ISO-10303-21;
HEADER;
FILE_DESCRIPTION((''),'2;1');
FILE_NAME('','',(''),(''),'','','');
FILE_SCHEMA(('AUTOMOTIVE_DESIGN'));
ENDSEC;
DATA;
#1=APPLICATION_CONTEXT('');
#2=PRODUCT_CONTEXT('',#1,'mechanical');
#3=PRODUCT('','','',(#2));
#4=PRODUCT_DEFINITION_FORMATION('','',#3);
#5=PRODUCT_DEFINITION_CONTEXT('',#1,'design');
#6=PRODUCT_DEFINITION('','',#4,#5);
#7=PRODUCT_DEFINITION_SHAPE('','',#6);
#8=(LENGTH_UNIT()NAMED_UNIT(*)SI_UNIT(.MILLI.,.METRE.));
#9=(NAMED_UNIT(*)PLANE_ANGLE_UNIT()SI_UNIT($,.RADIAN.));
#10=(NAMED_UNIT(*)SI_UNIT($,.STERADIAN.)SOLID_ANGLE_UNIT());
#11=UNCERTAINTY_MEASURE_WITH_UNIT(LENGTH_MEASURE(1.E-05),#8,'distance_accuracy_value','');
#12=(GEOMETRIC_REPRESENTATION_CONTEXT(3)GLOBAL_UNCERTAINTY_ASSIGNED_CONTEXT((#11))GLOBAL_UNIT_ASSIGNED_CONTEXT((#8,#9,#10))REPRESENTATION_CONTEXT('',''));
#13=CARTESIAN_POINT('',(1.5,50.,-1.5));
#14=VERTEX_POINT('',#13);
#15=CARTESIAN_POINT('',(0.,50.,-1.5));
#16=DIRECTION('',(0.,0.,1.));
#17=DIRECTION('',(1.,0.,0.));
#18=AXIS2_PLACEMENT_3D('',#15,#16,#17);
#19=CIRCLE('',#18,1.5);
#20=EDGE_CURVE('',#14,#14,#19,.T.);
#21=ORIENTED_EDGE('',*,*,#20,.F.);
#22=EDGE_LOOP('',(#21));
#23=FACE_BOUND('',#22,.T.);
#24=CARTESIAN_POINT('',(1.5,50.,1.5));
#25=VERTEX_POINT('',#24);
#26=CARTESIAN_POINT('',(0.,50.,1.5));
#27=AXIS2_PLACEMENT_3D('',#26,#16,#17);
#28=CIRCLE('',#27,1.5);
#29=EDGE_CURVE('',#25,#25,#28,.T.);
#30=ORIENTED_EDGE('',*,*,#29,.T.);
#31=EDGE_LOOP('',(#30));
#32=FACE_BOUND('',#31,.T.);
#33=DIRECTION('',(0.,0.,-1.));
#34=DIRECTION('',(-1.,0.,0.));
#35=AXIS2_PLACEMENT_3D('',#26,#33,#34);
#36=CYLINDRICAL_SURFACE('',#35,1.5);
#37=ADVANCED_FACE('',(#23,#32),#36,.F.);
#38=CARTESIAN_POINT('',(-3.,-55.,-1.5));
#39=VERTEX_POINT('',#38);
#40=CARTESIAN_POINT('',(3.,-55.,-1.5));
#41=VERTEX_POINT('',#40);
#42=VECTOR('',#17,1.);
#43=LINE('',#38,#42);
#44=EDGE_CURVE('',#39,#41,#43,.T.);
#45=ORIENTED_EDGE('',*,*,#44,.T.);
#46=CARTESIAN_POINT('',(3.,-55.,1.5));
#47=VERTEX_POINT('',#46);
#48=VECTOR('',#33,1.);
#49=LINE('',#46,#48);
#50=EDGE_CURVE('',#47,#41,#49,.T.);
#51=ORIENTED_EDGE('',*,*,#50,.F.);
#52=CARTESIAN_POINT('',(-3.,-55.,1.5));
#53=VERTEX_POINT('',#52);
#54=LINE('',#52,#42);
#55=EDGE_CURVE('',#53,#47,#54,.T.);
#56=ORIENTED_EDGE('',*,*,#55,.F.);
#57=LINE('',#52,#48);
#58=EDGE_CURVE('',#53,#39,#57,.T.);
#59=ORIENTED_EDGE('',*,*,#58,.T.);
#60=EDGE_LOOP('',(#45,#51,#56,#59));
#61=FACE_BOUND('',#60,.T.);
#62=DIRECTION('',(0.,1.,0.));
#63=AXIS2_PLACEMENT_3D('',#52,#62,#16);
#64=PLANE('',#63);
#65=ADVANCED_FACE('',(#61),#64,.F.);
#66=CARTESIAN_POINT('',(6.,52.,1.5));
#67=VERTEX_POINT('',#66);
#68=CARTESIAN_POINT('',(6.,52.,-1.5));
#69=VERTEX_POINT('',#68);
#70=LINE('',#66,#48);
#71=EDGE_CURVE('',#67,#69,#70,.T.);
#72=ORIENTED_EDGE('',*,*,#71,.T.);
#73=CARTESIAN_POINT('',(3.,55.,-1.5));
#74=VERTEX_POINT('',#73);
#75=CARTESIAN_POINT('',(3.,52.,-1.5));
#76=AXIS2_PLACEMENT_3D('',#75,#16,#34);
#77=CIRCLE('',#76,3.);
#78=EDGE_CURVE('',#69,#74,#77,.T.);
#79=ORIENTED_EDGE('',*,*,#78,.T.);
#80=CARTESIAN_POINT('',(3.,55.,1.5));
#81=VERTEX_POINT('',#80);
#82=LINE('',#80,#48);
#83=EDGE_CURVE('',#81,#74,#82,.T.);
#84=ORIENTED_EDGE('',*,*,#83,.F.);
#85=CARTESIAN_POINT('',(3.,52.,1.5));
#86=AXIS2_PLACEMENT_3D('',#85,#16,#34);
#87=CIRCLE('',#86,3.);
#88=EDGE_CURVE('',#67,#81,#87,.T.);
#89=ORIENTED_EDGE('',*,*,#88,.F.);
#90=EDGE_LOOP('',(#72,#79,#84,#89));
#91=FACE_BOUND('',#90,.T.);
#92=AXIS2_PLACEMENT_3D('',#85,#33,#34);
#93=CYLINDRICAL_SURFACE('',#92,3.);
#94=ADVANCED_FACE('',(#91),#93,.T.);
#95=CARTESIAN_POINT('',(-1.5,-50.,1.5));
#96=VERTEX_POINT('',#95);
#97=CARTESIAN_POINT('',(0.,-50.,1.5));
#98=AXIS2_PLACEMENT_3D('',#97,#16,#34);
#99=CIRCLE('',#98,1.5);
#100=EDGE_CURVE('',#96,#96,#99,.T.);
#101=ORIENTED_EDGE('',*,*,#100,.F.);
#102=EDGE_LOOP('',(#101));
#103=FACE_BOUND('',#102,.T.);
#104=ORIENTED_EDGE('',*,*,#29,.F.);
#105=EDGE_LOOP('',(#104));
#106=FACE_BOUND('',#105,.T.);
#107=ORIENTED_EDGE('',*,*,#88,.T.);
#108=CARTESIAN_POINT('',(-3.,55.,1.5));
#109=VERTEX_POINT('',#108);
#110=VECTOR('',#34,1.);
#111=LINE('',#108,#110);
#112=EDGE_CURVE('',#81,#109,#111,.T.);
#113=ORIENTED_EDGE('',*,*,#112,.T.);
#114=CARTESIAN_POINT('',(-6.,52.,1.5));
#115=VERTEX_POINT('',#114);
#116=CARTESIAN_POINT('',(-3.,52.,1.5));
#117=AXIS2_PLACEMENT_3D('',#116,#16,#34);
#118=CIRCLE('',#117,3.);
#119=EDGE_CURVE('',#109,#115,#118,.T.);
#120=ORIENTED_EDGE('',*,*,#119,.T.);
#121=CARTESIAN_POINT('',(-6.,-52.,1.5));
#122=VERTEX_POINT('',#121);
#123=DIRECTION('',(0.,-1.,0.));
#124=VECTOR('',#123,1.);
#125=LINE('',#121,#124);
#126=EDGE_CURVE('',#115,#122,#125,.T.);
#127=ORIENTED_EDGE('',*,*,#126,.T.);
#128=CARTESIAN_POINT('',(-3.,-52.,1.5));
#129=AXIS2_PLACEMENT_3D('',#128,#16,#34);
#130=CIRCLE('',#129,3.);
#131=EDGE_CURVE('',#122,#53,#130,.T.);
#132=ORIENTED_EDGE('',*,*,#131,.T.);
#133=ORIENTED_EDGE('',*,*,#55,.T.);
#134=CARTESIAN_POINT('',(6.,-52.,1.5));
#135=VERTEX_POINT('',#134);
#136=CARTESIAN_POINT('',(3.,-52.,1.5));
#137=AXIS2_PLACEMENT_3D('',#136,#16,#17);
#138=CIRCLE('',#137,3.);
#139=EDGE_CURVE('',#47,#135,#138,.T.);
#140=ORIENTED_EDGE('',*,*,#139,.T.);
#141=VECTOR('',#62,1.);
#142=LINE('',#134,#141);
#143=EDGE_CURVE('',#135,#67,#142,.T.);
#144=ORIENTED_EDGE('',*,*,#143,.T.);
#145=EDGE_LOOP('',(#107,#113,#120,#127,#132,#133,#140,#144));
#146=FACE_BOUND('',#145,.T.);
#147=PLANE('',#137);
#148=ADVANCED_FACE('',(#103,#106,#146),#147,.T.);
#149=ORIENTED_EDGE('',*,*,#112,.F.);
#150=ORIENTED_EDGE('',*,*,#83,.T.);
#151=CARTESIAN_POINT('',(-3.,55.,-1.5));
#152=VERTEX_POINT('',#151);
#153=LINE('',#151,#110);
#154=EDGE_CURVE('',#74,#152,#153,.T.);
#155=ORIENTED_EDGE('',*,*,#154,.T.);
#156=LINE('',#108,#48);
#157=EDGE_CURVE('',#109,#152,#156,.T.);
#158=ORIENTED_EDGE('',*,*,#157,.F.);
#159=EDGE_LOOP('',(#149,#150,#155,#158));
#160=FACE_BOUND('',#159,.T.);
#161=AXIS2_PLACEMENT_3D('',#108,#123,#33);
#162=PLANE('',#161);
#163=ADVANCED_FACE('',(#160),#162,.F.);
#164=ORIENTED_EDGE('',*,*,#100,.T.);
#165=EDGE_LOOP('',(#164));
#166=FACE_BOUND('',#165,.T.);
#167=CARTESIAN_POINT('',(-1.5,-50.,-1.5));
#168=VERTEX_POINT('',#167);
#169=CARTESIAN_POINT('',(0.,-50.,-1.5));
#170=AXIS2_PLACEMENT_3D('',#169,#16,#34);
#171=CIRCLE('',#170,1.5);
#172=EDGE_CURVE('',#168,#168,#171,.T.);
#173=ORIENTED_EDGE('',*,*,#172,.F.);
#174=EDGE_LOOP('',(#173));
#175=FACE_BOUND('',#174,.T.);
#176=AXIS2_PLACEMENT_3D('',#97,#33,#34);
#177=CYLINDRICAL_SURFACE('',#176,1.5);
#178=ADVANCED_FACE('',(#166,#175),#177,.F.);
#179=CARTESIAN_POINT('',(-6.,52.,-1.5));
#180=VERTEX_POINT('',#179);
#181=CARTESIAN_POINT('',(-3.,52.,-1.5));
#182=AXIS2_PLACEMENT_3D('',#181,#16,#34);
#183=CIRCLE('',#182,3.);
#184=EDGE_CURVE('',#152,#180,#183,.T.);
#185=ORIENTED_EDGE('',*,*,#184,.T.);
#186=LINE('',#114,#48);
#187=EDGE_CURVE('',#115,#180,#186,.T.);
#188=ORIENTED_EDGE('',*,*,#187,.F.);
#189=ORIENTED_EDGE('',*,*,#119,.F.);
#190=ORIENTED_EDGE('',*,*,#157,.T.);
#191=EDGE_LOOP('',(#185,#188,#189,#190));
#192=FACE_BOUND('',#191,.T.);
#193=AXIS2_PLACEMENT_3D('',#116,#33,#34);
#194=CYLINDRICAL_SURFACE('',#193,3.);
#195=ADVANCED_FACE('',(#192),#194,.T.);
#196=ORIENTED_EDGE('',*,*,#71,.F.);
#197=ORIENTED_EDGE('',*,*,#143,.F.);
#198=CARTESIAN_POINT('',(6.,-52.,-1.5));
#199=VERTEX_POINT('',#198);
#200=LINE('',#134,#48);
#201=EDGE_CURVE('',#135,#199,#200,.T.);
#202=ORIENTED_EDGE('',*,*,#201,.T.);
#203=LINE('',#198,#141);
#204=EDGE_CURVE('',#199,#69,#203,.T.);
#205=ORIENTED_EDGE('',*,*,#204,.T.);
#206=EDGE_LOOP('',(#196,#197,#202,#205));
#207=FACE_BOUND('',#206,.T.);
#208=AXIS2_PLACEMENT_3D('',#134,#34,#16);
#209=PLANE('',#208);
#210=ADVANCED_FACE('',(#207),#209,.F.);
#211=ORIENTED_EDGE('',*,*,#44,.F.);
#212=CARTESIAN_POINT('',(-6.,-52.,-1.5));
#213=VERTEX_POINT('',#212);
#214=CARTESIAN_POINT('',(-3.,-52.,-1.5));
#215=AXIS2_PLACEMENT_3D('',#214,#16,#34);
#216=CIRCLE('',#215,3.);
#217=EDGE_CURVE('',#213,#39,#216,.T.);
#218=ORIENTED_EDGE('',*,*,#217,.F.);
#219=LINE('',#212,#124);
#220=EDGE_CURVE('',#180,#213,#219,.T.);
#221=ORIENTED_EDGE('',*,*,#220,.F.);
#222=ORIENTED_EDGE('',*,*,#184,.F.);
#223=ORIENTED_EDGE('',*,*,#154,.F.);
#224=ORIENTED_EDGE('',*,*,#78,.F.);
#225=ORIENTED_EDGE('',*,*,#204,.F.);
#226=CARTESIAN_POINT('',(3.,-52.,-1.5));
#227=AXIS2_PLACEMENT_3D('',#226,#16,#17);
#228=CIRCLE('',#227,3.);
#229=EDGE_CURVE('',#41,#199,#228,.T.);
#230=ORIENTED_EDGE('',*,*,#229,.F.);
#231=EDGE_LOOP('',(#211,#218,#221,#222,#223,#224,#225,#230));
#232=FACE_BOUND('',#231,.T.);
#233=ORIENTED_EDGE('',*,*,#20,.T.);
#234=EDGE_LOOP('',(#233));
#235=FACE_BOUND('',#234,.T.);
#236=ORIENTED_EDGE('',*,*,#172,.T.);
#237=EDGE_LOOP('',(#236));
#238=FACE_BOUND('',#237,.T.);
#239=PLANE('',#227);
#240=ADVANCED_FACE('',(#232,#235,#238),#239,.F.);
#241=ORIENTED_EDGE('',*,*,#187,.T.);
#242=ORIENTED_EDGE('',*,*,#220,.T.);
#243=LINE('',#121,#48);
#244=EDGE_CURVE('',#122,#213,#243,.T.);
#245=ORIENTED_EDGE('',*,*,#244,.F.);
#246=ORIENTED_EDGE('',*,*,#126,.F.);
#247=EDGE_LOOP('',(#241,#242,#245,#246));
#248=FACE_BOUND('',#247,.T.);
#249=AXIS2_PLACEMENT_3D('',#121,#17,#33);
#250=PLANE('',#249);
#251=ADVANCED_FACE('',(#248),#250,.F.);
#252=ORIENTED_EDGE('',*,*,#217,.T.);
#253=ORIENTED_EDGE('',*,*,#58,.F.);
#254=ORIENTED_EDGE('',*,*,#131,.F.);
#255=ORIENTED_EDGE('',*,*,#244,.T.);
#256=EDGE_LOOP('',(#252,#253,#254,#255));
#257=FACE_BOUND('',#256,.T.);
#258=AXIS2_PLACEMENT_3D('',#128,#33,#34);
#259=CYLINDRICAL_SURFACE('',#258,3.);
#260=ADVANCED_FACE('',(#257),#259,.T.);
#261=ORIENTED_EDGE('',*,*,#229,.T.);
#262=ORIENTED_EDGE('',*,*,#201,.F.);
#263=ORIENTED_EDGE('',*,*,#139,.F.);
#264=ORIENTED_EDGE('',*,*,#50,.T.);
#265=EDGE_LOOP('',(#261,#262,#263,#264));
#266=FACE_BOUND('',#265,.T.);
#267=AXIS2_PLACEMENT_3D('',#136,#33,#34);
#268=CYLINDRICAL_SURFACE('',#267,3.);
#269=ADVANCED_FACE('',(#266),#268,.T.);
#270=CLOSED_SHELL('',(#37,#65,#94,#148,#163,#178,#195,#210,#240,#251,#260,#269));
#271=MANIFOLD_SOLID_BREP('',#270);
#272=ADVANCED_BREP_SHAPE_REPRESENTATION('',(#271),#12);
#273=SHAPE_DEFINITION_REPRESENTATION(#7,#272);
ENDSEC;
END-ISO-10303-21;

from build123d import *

# Parameters (mm, degrees)
CROQUIS1_R              = 1.5
SALIENTE_EXTRUIR1_DEPTH = 1.5


with BuildPart() as part:
    # Croquis1 → Saliente-Extruir1 (new, symmetric)
    with BuildSketch(Plane.XY):
        with BuildLine():
            Line((-3, -55), (3, -55))
            ThreePointArc((3, -55), (5.121320344, -54.121320344), (6, -52))
            Line((6, -52), (6, 52))
            ThreePointArc((6, 52), (5.121320344, 54.121320344), (3, 55))
            Line((3, 55), (-3, 55))
            ThreePointArc((-3, 55), (-5.121320344, 54.121320344), (-6, 52))
            Line((-6, 52), (-6, -52))
            ThreePointArc((-6, -52), (-5.121320344, -54.121320344), (-3, -55))
        make_face()
        with Locations((0, 50)):
            Circle(CROQUIS1_R, mode=Mode.SUBTRACT)
        with Locations(Location((0, -50, 0), (0, 0, 180))):
            Circle(CROQUIS1_R, mode=Mode.SUBTRACT)
    extrude(amount=SALIENTE_EXTRUIR1_DEPTH, both=True)


solid = part.part
